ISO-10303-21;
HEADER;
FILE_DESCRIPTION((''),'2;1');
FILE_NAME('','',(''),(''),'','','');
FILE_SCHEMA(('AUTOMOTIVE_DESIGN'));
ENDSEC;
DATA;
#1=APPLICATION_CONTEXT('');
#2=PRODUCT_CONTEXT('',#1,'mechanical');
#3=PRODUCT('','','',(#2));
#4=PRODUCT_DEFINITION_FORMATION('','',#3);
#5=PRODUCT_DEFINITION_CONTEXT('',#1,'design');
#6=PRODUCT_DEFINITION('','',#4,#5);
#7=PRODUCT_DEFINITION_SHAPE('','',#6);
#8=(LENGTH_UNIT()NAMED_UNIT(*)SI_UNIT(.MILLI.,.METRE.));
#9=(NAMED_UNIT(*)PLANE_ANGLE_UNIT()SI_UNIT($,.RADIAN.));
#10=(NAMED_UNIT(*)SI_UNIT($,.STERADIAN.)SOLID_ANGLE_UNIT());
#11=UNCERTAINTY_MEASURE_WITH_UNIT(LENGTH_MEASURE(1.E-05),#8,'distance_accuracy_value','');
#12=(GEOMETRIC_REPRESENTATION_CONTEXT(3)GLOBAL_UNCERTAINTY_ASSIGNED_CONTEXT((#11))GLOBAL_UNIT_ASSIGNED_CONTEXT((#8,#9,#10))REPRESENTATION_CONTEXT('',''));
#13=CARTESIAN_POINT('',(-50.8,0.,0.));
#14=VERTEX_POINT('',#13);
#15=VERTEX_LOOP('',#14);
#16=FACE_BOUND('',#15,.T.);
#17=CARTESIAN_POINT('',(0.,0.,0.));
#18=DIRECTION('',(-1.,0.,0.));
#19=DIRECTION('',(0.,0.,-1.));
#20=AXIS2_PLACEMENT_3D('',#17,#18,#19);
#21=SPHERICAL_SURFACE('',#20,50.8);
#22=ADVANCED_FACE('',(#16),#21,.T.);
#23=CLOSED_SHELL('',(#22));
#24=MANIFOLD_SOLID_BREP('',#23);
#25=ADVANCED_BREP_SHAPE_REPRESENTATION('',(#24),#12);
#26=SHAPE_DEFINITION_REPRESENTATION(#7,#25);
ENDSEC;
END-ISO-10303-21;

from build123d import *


with BuildPart() as part:
    # Sketch1 → Revolve1 (revolve)
    with BuildSketch(Plane(origin=(0, 0, 0), x_dir=(1, 0, 0), z_dir=(0, 1, 0))):
        with BuildLine():
            Line((-50.8, 0), (50.8, 0))
            ThreePointArc((50.8, 0), (0, -50.8), (-50.8, 0))
        make_face()
    revolve(axis=Axis((-50.8, 0, 0), (1, 0, 0)))


solid = part.part
